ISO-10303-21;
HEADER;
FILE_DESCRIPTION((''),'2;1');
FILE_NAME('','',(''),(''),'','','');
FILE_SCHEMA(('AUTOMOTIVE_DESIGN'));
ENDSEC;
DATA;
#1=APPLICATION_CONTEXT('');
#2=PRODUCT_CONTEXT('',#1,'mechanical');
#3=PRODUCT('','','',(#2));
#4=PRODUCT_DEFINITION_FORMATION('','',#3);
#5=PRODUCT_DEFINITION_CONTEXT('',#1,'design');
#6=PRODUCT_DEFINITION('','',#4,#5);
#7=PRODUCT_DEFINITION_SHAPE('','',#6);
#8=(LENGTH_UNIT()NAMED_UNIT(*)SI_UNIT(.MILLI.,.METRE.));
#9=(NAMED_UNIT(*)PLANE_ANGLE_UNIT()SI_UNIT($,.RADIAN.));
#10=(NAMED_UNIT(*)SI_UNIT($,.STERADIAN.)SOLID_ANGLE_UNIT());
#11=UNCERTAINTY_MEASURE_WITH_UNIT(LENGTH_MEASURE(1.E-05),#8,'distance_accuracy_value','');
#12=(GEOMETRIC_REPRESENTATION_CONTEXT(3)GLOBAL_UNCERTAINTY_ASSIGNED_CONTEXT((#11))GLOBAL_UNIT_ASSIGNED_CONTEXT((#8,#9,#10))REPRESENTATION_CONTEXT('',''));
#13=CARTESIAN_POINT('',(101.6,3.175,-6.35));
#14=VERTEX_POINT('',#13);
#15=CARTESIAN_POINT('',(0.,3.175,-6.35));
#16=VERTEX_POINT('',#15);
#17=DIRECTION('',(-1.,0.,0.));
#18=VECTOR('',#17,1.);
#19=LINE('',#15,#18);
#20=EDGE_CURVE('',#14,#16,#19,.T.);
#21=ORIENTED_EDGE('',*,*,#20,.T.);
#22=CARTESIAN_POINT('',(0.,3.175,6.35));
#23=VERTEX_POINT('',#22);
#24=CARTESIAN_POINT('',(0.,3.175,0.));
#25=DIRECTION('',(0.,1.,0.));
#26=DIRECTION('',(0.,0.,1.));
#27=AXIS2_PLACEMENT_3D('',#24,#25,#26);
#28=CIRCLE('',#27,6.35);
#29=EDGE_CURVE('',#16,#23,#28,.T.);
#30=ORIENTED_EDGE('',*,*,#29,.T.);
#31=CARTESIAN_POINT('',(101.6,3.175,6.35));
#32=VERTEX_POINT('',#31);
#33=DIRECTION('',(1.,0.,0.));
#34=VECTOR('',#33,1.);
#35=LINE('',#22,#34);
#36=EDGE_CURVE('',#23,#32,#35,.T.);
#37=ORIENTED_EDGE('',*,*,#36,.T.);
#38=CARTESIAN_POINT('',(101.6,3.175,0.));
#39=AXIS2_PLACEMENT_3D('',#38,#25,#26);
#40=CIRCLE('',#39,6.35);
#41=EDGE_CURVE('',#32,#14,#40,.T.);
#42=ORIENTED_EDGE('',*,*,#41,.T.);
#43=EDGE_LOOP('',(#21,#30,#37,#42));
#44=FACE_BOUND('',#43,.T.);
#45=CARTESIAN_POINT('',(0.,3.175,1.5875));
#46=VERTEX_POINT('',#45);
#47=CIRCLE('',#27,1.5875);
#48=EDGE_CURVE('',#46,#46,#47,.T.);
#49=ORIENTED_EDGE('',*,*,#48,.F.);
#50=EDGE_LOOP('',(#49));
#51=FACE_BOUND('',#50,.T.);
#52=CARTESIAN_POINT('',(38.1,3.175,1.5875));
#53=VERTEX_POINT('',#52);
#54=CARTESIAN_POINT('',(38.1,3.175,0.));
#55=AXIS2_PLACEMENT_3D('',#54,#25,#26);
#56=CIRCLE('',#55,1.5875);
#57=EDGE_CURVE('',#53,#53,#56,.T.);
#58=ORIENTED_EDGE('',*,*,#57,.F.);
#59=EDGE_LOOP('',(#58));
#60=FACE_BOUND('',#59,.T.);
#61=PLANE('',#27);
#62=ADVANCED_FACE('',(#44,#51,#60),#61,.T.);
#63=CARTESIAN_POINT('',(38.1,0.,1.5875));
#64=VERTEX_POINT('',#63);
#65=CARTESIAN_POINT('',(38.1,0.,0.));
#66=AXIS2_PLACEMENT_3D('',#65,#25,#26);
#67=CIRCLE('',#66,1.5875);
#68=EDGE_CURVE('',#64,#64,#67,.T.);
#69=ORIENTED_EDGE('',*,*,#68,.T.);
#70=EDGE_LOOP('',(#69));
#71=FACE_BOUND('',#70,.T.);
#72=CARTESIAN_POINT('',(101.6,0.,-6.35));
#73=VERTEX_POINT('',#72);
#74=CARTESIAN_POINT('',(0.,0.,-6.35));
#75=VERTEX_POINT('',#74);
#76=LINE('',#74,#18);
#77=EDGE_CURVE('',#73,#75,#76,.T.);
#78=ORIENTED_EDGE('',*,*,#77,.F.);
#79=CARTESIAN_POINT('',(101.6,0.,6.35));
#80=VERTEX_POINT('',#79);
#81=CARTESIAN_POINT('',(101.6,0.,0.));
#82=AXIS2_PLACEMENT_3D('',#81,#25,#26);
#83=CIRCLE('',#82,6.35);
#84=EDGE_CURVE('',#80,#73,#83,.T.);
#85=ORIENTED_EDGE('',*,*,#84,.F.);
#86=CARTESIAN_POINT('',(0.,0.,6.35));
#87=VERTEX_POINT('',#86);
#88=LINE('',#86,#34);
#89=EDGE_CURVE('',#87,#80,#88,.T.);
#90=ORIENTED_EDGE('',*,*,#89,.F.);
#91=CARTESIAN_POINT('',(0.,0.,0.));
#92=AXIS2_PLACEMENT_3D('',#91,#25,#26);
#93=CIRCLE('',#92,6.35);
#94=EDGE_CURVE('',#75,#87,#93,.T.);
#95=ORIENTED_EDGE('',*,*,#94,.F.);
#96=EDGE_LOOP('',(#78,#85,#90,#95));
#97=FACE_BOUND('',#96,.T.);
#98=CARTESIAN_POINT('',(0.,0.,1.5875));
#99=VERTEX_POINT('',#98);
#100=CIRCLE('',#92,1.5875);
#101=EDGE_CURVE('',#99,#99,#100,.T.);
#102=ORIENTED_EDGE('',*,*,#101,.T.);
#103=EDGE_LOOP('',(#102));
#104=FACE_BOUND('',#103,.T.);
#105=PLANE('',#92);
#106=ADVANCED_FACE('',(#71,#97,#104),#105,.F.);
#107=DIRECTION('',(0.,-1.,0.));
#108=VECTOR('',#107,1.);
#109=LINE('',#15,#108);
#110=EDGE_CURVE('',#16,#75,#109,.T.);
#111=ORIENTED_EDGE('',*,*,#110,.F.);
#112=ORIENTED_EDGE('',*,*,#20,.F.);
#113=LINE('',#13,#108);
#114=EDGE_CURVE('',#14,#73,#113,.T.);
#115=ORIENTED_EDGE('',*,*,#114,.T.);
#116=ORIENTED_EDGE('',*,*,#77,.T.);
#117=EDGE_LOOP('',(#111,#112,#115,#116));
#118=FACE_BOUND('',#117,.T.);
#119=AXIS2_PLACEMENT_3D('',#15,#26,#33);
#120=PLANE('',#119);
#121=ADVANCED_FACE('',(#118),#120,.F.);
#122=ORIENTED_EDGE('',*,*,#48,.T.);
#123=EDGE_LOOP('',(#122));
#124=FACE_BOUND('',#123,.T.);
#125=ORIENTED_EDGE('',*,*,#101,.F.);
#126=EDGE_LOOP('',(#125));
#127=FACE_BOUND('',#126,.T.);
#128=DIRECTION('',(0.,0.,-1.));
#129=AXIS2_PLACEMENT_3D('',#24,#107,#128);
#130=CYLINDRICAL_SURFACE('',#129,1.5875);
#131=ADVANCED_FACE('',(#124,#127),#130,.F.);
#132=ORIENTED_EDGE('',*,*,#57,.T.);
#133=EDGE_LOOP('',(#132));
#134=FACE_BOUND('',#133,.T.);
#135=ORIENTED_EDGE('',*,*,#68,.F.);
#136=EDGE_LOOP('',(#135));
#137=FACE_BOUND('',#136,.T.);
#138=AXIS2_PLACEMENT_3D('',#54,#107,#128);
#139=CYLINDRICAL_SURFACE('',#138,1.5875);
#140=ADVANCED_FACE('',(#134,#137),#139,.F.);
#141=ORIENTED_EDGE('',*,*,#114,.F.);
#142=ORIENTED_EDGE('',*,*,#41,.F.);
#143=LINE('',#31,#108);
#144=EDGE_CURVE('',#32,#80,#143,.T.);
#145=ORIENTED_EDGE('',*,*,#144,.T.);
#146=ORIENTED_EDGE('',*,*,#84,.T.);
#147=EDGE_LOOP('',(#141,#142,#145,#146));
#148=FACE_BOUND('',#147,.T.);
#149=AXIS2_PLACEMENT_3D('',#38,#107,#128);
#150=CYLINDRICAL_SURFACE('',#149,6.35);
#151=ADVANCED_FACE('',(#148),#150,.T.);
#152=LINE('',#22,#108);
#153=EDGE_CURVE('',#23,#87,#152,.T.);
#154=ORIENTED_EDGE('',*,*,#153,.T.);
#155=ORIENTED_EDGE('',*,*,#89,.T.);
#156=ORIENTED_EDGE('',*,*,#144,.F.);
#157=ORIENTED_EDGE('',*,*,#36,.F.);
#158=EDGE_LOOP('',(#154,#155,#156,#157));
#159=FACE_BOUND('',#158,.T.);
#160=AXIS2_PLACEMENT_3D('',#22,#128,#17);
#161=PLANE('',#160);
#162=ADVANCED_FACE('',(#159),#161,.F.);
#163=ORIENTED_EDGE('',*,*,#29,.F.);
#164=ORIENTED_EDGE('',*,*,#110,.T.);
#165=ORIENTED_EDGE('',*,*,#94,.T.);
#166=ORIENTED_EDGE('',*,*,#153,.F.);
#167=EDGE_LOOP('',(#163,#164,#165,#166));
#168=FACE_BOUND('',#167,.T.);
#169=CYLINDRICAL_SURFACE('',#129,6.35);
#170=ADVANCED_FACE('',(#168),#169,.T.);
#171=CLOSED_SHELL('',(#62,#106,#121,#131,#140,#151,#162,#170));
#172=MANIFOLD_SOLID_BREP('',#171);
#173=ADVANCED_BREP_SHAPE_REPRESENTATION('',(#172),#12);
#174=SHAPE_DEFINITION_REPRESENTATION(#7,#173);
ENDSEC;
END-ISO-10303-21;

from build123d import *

# Parameters (mm, degrees)
SKETCH1_R           = 1.5875
BOSS_EXTRUDE1_DEPTH = 3.175


with BuildPart() as part:
    # Sketch1 → Boss-Extrude1 (new body)
    with BuildSketch(Plane(origin=(0, 0, 0), x_dir=(1, 0, 0), z_dir=(0, 1, 0))):
        with BuildLine():
            Line((0, 6.35), (101.6, 6.35))
            ThreePointArc((101.6, 6.35), (107.95, 0), (101.6, -6.35))
            Line((101.6, -6.35), (0, -6.35))
            ThreePointArc((0, -6.35), (-6.35, 0), (0, 6.35))
        make_face()
        Circle(SKETCH1_R, mode=Mode.SUBTRACT)
        with Locations((38.1, 0)):
            Circle(SKETCH1_R, mode=Mode.SUBTRACT)
    extrude(amount=BOSS_EXTRUDE1_DEPTH)


solid = part.part
